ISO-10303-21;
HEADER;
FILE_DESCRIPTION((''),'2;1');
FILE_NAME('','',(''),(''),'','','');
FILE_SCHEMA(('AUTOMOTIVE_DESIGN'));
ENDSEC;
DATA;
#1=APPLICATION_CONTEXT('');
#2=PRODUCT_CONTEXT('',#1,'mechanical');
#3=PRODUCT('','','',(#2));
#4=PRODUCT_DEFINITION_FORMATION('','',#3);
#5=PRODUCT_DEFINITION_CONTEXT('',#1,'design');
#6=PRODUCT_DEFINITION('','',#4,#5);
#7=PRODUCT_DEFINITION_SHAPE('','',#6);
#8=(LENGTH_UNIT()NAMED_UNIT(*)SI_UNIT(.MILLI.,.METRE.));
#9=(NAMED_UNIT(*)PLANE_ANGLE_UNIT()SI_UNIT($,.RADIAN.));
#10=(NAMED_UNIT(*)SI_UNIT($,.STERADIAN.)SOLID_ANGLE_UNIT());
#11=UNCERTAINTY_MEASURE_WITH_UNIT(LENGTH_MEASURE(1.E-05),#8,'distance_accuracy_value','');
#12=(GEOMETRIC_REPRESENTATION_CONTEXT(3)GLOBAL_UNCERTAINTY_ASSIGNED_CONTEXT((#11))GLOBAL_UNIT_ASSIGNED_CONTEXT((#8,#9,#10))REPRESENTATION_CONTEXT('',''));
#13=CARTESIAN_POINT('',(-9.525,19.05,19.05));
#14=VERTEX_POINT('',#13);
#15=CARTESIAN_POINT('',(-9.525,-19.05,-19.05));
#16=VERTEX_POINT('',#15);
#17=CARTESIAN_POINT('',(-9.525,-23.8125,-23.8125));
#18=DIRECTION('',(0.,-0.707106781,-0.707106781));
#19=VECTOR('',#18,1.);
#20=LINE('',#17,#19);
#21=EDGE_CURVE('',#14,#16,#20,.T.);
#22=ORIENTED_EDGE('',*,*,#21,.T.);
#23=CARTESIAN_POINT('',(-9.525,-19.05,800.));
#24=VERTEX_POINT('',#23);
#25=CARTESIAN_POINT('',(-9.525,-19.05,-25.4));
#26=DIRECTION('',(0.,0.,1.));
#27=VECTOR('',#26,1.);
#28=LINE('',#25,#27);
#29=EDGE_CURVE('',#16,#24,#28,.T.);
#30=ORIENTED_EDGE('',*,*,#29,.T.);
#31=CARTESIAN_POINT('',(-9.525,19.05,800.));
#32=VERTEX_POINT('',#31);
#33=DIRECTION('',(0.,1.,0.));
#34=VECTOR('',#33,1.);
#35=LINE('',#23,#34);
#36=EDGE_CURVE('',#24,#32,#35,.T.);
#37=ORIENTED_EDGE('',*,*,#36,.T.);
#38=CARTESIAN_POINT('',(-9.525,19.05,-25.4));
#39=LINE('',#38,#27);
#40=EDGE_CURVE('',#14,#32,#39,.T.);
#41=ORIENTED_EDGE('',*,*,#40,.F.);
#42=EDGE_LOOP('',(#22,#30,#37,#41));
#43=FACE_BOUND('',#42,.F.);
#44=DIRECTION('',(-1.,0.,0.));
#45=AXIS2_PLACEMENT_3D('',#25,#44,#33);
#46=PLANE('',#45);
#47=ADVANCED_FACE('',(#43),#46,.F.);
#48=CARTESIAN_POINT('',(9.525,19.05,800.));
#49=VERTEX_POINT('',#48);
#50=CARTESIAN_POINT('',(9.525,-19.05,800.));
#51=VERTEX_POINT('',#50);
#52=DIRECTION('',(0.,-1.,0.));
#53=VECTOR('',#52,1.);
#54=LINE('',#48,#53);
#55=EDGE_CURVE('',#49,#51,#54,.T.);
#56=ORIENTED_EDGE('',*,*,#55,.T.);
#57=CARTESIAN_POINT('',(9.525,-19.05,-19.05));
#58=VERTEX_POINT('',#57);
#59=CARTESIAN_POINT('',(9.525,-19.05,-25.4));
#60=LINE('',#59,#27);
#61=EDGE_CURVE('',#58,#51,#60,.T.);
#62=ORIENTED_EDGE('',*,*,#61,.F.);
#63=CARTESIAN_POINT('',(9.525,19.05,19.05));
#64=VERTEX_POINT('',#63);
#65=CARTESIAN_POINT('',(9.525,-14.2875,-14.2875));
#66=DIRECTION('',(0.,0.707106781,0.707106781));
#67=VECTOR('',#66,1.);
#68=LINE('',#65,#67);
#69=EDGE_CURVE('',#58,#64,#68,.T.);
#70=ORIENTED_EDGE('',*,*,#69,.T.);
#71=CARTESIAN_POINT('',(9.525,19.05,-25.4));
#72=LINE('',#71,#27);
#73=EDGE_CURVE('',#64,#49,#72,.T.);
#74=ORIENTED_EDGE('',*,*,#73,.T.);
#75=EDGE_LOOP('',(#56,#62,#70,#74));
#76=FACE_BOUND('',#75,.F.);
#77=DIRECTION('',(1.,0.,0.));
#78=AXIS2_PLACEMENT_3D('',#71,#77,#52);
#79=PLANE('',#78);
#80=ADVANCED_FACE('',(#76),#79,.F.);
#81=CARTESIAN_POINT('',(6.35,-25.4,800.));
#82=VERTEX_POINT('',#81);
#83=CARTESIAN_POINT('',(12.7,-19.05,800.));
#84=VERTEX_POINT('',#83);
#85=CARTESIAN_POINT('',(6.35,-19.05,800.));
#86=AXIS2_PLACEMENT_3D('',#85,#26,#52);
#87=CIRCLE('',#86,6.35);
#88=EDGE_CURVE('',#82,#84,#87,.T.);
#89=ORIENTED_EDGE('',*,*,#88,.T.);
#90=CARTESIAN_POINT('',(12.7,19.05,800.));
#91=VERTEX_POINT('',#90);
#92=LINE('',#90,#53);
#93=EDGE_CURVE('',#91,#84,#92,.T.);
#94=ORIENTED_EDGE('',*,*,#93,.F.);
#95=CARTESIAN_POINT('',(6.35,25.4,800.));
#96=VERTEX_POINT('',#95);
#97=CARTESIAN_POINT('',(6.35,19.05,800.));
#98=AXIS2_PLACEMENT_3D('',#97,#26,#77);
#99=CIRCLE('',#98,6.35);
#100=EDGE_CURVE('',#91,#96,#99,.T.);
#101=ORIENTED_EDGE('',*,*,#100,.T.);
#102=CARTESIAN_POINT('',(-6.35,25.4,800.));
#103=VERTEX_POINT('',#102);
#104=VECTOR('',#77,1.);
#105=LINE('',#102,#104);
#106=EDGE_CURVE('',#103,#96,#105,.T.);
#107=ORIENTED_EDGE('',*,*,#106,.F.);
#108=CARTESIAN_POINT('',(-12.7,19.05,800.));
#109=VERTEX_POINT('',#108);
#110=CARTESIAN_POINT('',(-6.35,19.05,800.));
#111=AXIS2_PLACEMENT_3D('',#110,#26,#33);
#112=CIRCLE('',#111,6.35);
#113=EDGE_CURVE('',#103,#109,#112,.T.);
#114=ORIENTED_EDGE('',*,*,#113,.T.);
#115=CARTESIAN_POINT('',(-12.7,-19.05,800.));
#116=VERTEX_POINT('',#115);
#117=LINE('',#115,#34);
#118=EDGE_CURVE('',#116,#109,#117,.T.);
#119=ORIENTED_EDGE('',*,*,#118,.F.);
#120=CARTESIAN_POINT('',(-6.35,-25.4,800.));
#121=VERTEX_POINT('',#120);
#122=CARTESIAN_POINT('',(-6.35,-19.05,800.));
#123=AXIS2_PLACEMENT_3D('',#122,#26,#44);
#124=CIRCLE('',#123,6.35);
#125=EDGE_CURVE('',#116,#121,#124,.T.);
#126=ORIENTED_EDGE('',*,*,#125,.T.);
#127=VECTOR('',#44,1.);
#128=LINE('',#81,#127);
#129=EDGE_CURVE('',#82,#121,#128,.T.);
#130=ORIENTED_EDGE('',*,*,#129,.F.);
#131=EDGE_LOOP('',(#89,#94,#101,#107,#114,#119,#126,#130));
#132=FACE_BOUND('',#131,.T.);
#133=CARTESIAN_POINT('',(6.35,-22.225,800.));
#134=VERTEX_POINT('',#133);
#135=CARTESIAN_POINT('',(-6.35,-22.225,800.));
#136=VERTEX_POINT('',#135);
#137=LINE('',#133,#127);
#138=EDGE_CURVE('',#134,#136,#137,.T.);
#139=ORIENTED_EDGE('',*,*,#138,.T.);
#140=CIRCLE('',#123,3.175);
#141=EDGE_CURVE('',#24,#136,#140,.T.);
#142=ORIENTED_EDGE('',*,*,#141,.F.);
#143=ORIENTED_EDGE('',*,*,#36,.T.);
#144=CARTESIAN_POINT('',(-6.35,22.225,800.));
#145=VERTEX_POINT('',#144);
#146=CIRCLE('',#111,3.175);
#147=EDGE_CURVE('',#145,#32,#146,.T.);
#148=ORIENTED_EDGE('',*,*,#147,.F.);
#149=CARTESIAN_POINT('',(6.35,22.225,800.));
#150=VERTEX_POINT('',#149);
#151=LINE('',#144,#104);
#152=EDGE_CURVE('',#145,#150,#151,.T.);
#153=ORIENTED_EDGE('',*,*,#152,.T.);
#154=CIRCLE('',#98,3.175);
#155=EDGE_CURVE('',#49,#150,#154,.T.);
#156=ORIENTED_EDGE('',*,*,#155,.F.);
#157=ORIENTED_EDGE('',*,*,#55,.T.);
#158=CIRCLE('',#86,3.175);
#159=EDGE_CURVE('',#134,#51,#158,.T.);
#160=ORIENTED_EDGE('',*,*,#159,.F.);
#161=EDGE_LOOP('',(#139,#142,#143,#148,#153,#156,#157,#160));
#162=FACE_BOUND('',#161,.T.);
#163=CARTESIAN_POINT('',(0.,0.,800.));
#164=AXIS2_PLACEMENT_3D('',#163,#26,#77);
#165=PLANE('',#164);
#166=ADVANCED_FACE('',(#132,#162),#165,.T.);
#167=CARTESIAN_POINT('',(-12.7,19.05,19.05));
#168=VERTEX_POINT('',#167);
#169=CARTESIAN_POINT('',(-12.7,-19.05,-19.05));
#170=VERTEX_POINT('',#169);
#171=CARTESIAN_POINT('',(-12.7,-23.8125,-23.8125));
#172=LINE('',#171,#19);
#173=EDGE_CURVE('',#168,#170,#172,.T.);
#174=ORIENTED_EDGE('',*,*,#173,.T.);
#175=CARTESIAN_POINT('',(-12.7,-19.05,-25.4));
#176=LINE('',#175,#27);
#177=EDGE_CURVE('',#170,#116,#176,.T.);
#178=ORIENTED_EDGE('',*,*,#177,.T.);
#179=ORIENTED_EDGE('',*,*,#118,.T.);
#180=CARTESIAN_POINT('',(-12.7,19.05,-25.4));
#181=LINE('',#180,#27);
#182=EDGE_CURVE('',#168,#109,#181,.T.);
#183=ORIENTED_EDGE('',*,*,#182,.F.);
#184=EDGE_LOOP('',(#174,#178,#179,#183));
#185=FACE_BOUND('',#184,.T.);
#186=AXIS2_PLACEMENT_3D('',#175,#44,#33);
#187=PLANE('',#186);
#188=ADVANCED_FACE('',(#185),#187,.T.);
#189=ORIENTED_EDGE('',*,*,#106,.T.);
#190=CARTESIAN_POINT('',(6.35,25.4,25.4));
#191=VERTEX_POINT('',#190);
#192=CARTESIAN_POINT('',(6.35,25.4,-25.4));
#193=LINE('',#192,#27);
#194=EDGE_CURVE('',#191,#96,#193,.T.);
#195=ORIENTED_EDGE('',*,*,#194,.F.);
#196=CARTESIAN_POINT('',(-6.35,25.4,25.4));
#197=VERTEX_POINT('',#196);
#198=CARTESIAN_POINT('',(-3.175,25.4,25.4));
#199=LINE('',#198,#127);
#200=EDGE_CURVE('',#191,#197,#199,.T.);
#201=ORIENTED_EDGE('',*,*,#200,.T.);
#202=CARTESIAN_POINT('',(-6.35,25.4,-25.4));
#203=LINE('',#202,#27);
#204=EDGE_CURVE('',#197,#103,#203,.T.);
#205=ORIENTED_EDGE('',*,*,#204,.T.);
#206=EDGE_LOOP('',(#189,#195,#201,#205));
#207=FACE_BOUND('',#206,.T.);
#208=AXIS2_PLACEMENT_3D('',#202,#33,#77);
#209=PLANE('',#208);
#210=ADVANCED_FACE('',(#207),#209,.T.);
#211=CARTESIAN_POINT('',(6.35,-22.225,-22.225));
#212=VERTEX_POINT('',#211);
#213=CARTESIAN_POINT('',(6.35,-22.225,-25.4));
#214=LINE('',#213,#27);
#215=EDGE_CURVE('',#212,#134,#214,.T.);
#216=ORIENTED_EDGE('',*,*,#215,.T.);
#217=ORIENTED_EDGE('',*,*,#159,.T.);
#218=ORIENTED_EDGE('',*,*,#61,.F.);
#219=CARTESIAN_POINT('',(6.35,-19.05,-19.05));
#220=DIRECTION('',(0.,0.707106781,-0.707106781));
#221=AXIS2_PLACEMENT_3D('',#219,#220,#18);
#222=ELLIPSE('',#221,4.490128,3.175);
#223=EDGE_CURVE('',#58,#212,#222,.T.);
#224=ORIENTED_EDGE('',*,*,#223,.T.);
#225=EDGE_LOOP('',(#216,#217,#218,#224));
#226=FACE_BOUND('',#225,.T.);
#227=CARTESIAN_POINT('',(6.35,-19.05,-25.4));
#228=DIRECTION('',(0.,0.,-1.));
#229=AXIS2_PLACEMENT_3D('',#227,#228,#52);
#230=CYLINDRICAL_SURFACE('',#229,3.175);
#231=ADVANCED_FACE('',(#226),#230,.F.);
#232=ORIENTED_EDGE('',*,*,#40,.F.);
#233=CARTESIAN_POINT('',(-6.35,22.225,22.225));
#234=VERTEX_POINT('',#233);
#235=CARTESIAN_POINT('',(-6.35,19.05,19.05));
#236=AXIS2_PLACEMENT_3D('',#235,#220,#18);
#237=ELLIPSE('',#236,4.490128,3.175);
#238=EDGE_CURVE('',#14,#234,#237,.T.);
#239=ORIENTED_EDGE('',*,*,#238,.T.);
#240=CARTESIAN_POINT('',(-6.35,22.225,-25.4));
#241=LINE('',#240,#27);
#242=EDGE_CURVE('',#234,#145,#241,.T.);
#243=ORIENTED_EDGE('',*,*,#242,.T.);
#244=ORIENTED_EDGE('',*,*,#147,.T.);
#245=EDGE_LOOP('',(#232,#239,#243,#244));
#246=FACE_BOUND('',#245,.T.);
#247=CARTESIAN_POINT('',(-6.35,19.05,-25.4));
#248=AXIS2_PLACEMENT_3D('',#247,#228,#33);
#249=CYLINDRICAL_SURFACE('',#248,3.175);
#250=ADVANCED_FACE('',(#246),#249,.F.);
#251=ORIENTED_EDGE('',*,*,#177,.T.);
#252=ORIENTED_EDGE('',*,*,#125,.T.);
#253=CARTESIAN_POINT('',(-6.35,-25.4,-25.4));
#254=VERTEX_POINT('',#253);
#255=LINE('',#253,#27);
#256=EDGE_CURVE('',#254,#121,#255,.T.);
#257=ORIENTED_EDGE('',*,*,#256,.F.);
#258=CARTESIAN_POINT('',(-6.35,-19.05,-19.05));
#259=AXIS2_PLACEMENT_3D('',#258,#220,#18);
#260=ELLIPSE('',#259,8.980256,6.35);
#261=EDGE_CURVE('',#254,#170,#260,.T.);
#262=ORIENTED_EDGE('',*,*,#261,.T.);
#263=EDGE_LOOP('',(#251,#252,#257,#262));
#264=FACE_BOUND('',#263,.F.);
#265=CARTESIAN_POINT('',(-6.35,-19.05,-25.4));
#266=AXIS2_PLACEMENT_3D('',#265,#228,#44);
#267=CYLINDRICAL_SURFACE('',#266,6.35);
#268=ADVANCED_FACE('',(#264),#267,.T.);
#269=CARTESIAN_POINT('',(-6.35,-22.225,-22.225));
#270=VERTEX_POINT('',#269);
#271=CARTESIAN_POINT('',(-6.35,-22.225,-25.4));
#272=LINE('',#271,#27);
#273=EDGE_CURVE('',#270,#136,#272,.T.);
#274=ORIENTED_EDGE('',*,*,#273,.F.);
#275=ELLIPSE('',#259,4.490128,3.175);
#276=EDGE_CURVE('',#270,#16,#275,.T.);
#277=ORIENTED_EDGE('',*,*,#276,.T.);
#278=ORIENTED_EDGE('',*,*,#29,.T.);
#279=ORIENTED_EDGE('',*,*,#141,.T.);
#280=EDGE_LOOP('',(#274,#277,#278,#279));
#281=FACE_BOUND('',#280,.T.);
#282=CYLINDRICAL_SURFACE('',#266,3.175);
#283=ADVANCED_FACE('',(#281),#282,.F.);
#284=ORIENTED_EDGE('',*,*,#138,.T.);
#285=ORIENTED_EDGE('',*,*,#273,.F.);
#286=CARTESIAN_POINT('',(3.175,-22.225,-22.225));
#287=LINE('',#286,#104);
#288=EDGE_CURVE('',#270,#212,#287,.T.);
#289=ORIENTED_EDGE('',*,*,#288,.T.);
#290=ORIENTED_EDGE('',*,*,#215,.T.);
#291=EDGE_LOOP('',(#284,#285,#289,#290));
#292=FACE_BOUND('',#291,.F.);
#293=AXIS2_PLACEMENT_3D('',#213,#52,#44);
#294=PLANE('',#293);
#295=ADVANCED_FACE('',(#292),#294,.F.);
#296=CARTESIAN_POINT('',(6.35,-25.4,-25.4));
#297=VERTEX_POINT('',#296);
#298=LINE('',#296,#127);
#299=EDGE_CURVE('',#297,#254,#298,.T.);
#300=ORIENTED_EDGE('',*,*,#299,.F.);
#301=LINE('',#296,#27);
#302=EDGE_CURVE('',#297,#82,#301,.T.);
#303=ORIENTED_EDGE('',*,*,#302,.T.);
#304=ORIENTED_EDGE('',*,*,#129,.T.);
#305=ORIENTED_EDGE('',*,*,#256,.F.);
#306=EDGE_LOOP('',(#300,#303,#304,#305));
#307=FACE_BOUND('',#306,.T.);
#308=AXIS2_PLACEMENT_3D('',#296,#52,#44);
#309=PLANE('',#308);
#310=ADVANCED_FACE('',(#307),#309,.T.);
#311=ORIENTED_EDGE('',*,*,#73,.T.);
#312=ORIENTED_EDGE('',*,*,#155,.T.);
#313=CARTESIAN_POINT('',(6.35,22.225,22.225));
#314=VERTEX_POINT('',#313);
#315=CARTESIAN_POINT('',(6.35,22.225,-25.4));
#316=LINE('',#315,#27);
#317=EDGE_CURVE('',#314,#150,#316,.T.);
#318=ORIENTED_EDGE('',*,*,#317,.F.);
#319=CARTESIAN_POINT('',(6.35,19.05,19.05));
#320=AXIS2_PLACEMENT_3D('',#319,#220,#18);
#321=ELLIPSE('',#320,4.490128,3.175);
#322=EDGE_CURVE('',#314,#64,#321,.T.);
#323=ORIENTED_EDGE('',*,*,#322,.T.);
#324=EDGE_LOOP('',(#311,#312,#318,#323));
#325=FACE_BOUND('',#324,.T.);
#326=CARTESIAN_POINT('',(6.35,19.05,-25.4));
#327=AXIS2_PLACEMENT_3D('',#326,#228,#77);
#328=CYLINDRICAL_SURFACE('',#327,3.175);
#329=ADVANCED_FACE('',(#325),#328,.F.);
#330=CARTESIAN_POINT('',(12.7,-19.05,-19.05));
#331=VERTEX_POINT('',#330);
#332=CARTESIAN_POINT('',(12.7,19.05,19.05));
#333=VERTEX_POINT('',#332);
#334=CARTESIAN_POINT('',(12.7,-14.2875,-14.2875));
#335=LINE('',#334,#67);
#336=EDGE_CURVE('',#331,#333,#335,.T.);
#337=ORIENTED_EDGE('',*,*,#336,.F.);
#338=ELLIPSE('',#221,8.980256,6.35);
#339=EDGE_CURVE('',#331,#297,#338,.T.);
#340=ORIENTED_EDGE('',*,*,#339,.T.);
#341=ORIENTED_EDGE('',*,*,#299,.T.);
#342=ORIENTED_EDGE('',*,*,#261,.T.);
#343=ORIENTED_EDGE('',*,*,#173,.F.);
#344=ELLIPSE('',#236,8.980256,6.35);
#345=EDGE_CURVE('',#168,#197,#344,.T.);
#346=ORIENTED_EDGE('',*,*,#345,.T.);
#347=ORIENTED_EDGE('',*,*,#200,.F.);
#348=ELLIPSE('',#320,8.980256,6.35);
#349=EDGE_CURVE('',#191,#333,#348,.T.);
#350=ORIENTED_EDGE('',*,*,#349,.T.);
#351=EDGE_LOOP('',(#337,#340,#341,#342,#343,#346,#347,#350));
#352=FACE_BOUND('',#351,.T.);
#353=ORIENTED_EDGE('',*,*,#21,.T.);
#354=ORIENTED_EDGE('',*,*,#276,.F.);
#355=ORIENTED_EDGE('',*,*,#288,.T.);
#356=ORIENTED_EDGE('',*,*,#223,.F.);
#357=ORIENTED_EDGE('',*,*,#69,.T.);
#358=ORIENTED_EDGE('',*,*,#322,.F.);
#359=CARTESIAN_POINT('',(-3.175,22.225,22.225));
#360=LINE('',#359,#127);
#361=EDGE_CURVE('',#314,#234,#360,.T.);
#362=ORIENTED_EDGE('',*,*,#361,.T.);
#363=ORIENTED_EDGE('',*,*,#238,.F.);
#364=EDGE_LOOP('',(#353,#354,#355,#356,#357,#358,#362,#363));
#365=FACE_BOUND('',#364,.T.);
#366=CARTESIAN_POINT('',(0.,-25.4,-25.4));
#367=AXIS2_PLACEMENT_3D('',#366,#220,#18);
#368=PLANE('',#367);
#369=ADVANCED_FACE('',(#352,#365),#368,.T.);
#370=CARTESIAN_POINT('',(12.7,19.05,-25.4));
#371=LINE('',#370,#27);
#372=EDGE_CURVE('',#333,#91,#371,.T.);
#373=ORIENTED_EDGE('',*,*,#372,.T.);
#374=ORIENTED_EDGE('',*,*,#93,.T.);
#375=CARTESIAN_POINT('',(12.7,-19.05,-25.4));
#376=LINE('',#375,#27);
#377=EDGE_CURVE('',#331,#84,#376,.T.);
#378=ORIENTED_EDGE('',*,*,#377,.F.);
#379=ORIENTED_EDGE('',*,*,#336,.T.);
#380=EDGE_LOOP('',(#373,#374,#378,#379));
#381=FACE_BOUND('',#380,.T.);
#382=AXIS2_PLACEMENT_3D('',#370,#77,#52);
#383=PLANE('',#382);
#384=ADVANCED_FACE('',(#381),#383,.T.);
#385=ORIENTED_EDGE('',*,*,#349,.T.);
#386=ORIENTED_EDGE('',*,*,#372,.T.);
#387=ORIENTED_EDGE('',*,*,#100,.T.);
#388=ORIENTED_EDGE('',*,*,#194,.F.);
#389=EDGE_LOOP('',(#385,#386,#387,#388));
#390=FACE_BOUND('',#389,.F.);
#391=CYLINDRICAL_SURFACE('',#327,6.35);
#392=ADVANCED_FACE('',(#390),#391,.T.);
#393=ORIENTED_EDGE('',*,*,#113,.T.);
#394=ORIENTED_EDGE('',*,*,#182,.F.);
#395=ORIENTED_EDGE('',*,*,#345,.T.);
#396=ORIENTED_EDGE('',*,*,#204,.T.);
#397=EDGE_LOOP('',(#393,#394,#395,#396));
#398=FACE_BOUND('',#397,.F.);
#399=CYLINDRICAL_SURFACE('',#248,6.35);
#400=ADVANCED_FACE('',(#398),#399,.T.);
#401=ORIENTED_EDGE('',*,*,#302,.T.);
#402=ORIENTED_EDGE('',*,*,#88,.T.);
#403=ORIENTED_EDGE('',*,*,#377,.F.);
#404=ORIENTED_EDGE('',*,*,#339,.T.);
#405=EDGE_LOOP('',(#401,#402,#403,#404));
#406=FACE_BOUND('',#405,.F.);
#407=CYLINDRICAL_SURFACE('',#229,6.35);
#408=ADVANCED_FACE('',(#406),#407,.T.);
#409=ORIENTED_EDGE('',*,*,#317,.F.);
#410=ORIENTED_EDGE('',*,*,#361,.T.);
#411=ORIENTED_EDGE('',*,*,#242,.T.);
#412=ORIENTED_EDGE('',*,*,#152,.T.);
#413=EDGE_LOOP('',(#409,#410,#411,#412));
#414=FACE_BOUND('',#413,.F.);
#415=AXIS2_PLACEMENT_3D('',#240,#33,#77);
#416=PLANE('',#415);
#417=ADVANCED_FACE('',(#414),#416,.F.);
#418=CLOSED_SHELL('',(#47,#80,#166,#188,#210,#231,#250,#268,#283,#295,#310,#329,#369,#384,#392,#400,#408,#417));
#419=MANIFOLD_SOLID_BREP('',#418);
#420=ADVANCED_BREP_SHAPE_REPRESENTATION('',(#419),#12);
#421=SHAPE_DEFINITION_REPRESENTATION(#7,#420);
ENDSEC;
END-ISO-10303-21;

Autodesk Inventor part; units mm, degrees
ref_plane "Start Plane" through (0, 0, -25.4) normal (0, 0, 1) x (1, 0, 0)
ref_plane "End Plane" through (0, 0, 800) normal (0, 0, 1) x (1, 0, 0)
sketch "Sketch" plane through (0, 0, 0) normal (0, 0, 1) x (1, 0, 0)
  line L0 (-12.7, -19.05) -> (-12.7, 19.05)
  line L1 (-6.35, 25.4) -> (6.35, 25.4)
  line L2 (12.7, 19.05) -> (12.7, -19.05)
  line L3 (6.35, -25.4) -> (-6.35, -25.4)
  arc A0 (-12.7, -19.05) -> (-6.35, -25.4) centre (-6.35, -19.05) ccw
  arc A1 (-6.35, 25.4) -> (-12.7, 19.05) centre (-6.35, 19.05) ccw
  arc A2 (12.7, 19.05) -> (6.35, 25.4) centre (6.35, 19.05) ccw
  arc A3 (6.35, -25.4) -> (12.7, -19.05) centre (6.35, -19.05) ccw
  arc A4 (-6.35, 22.225) -> (-9.525, 19.05) centre (-6.35, 19.05) ccw
  line L4 (-6.35, 22.225) -> (6.35, 22.225)
  arc A5 (9.525, 19.05) -> (6.35, 22.225) centre (6.35, 19.05) ccw
  line L5 (9.525, 19.05) -> (9.525, -19.05)
  arc A6 (6.35, -22.225) -> (9.525, -19.05) centre (6.35, -19.05) ccw
  line L6 (6.35, -22.225) -> (-6.35, -22.225)
  arc A7 (-9.525, -19.05) -> (-6.35, -22.225) centre (-6.35, -19.05) ccw
  line L7 (-9.525, -19.05) -> (-9.525, 19.05)
  line L8 (0, 37.4012) -> (0, -37.4012) construction
  line L9 (-19.6212, 0) -> (19.6212, 0) construction
  dimension "d10" = 50.8
  dimension "d11" = 25.4
  dimension "d12" = 3.175
  dimension "d15" = 25.4
  dimension "d16" = 12.7
  dimension "d17" = 6.35
extrude "Body" add sketch "Sketch" along normal up to surface (825.4 mm away) from surface at -25.4
sketch "Sketch3" plane through (0, 0, 0) normal (0, 0, 1) x (1, 0, 0)
  line L0 (0, 0) -> (10, 0)
ref_plane "Work Plane3" through (0, 0, 0) normal (0, -1, 0) x (1, 0, 0)
ref_plane "Work Plane4" through (0, -25.4, -25.4) normal (0, 0.7071, -0.7071) x (1, 0, 0)
split "Split1" plane through (0, -25.4, -25.4) removes the side toward (0, 0.7071, -0.7071)
sketch "Sketch4" plane through (0, 0, 0) normal (0, -1, 0) x (1, 0, 0)
  line L0 (-2, -25.4) -> (12, -25.4) projected
  line L1 (-2, 800) -> (12, 800) projected
  dimension "d19" = 825.4
equation "\"d10\" = G_H"
equation "\"d11\" = G_W"
equation "\"d12\" = G_T"
equation "\"d15\" = 0.5 * d10"
equation "\"d16\" = 0.5 * d11"
equation "\"d17\" = G_IR"
equation "\"d3\" = G_L"
equation "\"G_W\" = 25.4"
equation "\"G_H\" = 50.8"
equation "\"G_T\" = 3.175"
equation "\"G_IR\" = 6.35"
equation "\"G_L\" = d19"
equation "\"G_OFFSET_START\" = 25.4"
equation "\"G_OFFSET_END\" = 0"
equation "\"d13\" = -G_OFFSET_START"
equation "\"d14\" = G_OFFSET_END + B_L"
equation "\"B_L\" = 800"
properties part number "AISC - 2 x 1 x 1/8 - 32.496" material "Steel, Wrought"
